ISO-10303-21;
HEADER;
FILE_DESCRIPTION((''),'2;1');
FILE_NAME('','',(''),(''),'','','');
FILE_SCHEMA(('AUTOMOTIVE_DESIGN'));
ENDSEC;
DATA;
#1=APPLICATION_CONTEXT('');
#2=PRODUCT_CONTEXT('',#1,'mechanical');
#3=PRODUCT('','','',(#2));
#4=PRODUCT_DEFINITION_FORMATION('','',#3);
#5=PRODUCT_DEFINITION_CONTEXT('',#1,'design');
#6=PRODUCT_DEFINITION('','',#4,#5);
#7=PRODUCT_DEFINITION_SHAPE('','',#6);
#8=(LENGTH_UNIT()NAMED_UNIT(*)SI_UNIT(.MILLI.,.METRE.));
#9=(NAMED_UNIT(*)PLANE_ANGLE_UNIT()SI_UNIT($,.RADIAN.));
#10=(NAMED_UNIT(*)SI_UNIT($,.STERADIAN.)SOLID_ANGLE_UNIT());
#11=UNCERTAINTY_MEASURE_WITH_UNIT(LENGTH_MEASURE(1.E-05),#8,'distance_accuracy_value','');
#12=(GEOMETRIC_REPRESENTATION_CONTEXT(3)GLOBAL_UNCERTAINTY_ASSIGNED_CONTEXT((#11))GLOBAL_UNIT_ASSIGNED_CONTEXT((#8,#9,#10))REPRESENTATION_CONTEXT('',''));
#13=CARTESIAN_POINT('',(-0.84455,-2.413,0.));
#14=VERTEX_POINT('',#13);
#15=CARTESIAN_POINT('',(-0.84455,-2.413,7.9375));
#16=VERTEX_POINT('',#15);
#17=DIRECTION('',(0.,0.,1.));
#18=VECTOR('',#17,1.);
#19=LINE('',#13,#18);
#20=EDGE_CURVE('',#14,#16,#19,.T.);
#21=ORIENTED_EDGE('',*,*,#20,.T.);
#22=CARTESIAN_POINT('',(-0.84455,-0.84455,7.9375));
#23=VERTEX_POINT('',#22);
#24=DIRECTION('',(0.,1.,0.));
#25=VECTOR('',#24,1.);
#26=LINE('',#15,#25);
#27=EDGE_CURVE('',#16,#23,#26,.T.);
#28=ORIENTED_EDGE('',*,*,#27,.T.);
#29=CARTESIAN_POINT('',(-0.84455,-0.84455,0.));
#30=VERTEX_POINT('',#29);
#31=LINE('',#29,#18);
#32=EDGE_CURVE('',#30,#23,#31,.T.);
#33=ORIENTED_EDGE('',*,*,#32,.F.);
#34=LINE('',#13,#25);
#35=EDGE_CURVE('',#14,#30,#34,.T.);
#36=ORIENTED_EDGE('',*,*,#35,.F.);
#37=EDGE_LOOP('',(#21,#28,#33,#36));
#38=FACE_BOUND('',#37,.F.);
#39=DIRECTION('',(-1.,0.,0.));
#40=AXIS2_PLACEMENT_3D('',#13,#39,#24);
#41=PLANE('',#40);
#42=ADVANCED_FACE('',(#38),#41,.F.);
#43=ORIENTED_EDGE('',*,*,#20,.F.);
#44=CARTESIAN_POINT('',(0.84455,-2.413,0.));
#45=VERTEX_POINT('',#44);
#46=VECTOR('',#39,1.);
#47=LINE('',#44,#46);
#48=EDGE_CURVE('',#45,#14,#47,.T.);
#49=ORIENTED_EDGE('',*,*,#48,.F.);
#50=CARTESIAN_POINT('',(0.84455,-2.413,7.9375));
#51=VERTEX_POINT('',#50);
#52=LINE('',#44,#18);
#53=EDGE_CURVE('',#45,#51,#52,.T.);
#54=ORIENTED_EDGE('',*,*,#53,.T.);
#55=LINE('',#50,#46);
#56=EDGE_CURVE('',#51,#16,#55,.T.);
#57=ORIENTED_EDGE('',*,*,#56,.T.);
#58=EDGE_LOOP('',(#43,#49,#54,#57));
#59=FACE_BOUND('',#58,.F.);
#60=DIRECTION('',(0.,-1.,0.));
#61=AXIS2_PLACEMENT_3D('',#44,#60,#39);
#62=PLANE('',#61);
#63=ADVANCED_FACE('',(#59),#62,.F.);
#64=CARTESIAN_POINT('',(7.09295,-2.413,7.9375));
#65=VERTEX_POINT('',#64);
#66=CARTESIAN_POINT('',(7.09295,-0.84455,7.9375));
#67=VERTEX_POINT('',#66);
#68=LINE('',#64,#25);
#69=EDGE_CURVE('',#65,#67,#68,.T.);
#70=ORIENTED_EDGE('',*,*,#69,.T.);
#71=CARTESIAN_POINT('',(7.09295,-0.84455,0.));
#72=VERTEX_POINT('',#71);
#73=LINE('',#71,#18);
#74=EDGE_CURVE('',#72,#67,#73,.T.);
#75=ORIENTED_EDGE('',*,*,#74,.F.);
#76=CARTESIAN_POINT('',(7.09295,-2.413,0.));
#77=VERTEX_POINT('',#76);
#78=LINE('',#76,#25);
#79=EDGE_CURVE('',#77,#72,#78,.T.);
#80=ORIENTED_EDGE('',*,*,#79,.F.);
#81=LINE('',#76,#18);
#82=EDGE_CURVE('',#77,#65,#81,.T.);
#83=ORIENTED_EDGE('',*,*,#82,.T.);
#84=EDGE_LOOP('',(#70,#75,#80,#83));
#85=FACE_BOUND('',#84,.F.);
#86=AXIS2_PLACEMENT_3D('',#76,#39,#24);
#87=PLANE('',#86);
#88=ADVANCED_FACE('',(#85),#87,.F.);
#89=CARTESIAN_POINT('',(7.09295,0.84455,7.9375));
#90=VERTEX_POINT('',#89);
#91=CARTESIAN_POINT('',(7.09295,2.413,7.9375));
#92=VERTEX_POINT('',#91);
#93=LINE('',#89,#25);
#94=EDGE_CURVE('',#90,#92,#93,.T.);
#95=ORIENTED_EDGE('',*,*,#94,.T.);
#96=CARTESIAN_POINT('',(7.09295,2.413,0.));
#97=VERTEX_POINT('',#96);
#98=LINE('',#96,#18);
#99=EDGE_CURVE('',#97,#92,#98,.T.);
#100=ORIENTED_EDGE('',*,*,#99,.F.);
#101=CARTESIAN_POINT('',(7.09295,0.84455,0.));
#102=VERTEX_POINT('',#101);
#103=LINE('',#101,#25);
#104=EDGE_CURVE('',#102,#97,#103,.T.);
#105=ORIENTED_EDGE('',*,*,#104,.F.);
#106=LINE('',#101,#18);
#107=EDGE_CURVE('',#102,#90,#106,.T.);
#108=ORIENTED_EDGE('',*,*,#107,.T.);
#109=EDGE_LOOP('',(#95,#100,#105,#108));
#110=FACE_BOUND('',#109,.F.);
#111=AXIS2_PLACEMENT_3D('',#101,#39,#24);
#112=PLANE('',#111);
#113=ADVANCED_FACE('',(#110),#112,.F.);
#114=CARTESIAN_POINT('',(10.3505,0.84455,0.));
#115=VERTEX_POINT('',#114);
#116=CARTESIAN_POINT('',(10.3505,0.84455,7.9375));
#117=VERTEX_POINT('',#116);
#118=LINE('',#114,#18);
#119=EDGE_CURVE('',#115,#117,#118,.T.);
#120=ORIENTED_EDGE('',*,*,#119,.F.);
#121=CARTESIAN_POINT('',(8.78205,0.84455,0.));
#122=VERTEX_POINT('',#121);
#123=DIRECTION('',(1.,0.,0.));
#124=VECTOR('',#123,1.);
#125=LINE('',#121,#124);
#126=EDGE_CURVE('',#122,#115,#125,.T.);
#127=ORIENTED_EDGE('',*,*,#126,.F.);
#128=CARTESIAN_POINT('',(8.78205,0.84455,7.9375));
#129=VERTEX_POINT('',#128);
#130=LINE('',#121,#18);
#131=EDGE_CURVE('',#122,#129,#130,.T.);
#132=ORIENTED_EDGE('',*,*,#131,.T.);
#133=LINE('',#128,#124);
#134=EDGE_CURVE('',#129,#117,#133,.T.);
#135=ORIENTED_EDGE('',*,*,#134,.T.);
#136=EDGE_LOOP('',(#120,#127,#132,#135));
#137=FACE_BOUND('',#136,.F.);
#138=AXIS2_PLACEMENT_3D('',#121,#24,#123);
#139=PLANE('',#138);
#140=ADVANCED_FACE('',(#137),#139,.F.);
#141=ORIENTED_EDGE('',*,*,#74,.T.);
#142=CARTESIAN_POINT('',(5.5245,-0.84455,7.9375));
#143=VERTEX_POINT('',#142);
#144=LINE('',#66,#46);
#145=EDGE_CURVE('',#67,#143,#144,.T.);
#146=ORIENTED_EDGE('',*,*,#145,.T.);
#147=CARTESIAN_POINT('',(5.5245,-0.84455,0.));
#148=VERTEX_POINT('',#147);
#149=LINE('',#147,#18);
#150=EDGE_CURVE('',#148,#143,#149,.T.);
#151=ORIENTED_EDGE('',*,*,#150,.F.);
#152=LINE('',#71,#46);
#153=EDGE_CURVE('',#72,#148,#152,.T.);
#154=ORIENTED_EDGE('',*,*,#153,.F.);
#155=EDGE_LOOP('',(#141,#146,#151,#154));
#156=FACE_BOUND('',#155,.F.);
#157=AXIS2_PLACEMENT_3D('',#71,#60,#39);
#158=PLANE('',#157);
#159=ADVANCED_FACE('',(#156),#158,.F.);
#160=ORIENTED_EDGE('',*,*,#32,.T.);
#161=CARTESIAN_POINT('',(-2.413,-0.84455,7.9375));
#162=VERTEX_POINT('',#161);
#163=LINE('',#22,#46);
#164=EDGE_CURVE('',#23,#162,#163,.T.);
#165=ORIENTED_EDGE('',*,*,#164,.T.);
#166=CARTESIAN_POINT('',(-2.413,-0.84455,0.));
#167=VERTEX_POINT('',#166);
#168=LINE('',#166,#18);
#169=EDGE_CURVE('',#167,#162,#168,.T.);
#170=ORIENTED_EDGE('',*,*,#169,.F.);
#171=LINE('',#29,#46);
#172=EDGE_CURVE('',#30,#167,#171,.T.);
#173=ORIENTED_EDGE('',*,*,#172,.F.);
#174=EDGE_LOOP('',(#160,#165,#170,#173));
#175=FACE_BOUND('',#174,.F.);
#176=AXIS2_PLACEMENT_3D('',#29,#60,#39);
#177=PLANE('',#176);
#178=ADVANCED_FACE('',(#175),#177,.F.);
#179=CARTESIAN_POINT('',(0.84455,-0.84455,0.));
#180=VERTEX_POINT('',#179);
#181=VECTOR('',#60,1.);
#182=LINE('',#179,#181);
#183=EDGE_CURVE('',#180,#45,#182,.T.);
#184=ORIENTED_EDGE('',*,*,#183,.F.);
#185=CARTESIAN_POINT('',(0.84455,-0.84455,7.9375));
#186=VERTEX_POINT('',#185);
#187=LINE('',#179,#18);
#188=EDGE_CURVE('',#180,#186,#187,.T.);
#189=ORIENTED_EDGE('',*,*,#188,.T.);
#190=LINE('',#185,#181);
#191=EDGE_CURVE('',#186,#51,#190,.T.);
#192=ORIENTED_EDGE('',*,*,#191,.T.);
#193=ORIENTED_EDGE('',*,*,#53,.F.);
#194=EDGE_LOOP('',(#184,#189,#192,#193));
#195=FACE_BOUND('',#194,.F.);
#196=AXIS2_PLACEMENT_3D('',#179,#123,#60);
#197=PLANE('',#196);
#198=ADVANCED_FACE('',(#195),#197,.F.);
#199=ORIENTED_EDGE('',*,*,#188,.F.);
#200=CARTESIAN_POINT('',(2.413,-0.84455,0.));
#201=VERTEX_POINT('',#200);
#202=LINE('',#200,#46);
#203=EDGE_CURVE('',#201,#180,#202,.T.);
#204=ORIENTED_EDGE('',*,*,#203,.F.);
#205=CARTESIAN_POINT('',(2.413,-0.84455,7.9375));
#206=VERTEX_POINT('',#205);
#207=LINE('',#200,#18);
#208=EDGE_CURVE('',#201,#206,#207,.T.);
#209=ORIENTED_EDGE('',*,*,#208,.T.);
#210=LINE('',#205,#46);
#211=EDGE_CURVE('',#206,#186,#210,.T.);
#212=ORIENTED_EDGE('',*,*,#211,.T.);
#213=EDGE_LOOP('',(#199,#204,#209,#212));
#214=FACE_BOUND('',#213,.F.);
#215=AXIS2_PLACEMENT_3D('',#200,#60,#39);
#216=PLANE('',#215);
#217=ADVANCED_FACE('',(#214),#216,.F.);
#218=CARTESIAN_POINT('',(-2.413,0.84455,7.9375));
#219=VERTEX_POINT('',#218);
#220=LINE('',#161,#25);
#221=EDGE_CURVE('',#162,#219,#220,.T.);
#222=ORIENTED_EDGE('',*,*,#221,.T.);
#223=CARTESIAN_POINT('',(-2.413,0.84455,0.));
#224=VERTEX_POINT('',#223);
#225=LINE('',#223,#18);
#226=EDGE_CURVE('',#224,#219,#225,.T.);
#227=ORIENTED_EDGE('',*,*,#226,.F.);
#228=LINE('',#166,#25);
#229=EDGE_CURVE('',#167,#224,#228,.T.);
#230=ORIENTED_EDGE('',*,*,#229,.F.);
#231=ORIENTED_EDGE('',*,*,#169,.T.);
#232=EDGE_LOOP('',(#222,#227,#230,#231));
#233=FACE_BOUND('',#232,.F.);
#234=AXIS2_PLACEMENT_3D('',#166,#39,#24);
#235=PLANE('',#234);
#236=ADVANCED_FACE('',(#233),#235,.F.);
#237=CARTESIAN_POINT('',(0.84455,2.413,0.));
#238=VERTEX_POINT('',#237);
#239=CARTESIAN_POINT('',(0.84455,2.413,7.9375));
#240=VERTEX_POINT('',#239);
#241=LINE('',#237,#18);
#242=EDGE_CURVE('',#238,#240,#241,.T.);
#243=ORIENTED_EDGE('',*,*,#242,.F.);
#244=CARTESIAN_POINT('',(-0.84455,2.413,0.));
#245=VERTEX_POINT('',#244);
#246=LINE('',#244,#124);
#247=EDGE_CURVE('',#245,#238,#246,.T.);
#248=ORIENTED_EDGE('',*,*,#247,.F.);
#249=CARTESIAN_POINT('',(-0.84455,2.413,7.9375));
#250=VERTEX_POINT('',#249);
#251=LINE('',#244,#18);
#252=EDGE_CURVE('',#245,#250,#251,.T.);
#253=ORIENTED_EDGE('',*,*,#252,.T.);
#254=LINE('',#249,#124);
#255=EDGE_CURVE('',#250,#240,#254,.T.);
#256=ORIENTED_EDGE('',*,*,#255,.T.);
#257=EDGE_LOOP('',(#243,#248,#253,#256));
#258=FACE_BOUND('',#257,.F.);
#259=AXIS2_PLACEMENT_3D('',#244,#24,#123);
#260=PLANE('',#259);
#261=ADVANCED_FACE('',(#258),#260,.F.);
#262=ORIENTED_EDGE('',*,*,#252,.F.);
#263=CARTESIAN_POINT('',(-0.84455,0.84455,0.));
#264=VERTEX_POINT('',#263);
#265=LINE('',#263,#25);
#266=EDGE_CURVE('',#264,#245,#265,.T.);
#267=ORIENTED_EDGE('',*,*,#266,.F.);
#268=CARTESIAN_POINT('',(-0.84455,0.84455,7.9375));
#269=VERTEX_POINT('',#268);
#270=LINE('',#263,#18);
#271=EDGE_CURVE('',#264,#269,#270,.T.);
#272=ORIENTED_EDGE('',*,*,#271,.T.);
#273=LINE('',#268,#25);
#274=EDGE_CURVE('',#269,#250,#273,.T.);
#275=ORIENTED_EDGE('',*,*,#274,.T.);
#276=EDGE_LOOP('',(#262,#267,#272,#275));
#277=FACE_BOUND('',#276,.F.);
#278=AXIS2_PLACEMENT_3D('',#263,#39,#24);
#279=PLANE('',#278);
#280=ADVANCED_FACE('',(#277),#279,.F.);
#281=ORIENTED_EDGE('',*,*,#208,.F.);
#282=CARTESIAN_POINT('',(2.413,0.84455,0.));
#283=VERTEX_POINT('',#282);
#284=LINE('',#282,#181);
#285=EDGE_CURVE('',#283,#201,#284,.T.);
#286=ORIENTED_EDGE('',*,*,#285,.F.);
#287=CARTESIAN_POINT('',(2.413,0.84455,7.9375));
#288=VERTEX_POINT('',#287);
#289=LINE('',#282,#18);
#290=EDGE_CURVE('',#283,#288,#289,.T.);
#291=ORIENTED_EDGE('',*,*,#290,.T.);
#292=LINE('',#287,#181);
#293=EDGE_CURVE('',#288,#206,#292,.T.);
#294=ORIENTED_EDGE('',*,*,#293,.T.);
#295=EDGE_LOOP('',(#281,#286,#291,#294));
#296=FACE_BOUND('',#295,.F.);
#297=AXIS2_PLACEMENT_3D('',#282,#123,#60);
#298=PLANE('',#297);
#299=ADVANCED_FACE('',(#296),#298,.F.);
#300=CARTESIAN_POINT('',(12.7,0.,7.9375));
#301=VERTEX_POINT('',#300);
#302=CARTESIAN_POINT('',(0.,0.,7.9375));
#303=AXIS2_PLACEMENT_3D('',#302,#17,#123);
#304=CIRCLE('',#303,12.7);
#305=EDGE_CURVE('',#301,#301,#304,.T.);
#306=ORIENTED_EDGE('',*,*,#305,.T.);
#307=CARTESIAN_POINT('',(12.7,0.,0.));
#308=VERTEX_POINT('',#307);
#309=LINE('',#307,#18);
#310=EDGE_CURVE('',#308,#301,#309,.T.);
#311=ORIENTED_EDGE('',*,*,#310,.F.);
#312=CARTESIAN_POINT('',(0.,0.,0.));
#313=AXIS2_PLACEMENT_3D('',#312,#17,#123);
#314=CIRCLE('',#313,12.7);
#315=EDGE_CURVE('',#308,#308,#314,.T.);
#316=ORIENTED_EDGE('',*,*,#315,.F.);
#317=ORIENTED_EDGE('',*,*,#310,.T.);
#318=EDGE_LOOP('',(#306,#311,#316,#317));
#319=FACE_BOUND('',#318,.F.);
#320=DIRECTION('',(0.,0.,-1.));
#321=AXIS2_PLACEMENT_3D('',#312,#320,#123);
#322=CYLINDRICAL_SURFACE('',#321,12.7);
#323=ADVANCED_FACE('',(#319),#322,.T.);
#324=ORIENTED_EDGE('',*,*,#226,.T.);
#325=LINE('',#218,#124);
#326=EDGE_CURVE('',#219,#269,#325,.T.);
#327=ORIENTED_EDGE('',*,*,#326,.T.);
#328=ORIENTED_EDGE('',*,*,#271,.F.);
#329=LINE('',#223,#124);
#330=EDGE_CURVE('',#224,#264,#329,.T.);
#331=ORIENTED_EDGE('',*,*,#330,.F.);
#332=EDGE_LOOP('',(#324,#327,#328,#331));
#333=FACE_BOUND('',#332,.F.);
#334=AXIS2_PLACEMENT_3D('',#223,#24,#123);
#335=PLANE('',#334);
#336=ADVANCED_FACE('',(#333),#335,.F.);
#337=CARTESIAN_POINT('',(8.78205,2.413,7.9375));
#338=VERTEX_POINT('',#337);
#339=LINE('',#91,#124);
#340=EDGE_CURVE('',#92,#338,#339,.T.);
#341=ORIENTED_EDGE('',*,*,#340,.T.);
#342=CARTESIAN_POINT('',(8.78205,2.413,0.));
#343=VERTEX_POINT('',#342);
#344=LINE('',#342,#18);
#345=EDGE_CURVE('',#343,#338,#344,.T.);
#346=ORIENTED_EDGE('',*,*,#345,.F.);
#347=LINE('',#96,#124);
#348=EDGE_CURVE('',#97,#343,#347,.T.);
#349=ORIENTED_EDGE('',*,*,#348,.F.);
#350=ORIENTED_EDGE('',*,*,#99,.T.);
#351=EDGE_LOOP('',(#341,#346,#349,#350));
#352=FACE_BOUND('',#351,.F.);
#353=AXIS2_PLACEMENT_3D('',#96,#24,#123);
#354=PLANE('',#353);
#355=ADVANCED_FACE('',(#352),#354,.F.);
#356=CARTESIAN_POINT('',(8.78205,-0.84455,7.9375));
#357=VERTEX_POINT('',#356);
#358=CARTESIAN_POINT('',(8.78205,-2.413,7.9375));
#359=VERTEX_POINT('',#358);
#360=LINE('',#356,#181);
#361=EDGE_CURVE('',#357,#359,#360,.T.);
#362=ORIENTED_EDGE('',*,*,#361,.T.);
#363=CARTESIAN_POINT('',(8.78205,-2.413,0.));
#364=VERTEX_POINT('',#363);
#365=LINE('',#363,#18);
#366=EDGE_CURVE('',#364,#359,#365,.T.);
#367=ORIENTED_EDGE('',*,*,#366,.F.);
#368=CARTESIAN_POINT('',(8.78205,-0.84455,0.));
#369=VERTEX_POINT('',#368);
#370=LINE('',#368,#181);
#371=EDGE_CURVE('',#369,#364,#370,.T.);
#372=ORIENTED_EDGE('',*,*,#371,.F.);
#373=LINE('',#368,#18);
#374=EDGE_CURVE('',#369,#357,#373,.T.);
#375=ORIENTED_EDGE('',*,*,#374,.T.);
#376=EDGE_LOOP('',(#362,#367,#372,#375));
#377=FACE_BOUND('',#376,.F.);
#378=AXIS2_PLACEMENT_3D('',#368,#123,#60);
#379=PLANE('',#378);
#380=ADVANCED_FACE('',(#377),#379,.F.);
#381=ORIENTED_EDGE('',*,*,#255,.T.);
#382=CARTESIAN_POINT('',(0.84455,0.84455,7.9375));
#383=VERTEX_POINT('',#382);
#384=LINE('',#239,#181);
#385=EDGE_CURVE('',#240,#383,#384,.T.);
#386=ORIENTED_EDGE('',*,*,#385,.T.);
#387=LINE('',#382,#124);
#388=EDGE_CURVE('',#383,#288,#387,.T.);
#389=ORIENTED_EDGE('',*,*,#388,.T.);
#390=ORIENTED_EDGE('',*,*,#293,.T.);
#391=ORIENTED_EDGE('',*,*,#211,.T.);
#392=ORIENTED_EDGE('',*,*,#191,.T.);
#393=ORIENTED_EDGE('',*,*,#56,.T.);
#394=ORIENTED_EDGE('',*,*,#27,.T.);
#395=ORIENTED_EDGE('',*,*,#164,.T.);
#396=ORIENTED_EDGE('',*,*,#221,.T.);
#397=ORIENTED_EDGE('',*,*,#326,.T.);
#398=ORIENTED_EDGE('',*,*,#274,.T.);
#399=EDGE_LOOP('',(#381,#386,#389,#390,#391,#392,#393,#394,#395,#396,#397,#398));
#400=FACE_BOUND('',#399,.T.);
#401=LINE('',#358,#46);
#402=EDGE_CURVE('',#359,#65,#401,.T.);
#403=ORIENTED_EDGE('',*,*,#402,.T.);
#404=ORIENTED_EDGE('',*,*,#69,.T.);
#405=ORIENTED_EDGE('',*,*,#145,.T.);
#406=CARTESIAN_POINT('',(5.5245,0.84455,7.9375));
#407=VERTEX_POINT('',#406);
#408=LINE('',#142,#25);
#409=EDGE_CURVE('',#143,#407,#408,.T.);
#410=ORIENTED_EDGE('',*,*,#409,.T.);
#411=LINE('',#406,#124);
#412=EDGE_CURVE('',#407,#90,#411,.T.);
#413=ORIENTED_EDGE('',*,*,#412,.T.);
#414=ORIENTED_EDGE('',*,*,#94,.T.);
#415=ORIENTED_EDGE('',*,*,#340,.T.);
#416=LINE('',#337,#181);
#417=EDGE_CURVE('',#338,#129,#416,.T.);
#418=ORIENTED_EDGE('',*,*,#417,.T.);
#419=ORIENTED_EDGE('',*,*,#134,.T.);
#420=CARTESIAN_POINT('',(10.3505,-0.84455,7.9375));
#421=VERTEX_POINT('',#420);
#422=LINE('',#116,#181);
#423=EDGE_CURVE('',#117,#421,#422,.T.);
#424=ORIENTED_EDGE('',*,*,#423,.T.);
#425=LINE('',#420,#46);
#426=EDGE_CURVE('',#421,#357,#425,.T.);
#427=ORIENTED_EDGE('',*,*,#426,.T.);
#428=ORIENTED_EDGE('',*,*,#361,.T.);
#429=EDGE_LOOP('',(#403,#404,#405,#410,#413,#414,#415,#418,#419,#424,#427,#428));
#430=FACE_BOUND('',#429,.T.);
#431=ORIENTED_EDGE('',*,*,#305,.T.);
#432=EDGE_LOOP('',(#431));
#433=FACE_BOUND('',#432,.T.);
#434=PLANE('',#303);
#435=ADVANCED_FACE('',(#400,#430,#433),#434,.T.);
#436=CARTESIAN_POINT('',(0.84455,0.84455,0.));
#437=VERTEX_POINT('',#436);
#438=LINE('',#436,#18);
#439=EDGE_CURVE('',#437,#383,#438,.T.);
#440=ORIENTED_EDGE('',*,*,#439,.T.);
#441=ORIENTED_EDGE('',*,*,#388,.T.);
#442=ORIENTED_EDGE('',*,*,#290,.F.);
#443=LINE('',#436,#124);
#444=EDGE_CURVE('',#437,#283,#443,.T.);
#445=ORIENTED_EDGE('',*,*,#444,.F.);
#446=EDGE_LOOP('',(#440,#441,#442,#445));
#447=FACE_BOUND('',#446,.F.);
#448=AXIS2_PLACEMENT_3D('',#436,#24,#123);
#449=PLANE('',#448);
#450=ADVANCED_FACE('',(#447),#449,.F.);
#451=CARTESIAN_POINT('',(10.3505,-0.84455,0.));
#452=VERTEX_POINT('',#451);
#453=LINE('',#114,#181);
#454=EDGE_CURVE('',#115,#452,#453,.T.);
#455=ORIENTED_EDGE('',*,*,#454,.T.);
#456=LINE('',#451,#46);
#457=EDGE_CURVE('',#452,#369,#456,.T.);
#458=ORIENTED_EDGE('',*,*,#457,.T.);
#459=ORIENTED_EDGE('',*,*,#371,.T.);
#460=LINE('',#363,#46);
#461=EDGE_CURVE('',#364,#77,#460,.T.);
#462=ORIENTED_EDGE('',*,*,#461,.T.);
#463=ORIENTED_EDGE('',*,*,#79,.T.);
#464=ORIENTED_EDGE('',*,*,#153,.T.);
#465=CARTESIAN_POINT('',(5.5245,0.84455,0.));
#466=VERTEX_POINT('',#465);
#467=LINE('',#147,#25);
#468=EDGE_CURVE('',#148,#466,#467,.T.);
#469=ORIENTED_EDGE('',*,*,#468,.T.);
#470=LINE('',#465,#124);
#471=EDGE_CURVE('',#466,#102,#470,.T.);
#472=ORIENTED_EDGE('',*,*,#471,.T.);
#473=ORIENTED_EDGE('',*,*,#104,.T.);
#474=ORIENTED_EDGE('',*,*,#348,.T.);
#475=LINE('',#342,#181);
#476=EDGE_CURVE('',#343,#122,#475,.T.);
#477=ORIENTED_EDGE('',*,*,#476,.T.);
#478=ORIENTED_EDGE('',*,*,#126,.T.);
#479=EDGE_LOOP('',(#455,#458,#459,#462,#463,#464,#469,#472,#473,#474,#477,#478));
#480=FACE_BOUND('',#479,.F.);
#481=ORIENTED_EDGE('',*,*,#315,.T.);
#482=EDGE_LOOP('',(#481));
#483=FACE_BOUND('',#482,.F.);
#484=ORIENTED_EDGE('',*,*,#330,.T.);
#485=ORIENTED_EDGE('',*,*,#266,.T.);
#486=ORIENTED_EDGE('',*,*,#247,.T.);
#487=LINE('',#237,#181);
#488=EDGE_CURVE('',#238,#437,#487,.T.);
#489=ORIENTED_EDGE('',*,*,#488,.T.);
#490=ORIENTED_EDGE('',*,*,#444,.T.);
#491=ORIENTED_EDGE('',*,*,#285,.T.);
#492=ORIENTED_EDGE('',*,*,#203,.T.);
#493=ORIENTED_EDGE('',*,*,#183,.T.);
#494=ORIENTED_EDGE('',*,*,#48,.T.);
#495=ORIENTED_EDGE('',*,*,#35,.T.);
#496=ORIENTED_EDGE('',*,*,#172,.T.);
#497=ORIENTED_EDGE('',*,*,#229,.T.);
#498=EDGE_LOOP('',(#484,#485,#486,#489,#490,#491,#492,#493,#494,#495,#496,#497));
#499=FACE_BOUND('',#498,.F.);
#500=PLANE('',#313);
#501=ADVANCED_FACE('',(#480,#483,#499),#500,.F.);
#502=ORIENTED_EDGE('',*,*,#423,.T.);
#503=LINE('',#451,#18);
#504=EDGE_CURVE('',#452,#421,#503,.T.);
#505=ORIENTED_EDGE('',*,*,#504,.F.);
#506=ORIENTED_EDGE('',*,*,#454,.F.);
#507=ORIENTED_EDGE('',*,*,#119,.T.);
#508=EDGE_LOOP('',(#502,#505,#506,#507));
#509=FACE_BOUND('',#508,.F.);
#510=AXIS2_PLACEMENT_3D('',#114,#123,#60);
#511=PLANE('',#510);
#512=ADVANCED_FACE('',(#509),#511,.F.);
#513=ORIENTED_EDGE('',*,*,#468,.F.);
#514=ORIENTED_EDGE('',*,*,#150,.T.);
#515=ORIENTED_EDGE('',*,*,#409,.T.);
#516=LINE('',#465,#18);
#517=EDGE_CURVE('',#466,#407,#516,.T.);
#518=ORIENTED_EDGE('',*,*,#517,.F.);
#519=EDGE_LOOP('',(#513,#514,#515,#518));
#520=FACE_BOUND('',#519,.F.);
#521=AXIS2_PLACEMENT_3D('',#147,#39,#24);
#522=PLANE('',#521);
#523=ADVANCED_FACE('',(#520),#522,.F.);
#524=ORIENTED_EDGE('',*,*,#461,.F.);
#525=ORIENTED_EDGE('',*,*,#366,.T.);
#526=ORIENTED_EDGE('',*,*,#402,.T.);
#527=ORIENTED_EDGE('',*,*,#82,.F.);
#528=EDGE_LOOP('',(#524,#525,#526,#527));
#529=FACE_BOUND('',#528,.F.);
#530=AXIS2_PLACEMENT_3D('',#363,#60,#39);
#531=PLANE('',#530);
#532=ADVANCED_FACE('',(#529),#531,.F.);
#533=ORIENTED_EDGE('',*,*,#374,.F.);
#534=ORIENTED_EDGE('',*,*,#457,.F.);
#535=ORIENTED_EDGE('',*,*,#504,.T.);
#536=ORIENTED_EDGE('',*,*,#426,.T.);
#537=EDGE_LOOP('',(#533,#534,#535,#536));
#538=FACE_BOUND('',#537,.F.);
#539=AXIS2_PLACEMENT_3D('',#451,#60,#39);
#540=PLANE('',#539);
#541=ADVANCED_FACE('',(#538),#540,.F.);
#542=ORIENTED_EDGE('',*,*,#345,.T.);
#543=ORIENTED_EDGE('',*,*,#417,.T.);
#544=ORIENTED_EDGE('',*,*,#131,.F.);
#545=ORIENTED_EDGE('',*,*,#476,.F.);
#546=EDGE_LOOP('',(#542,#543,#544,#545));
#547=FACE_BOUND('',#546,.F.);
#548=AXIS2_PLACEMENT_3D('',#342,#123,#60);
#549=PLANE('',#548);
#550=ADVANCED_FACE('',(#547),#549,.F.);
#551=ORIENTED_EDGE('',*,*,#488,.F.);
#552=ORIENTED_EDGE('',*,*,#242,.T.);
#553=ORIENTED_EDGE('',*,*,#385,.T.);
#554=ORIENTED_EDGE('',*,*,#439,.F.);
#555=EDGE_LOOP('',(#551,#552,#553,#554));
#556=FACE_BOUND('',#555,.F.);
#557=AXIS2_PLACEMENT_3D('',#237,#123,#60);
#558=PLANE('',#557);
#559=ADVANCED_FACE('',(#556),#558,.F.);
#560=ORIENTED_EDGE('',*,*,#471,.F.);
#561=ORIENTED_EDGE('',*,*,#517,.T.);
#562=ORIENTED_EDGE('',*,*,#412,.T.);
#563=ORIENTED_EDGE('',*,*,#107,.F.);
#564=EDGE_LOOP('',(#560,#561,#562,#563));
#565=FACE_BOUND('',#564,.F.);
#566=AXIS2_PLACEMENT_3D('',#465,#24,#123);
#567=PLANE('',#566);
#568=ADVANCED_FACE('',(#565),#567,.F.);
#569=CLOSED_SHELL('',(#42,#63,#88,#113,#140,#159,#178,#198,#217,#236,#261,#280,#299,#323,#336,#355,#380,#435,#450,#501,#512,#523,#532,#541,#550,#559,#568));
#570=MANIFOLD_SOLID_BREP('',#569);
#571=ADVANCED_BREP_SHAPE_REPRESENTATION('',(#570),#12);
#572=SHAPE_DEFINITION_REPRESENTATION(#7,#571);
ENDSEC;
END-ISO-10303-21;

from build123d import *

# Parameters (mm, degrees)
F0_R     = 12.7
F1_DEPTH = 7.9375


with BuildPart() as f1:
    # F0 (on Top) → F1 (new body)
    with BuildSketch(Plane.XY):
        Circle(F0_R)
        Polygon((0.84455, -0.84455), (0.84455, -2.413), (-0.84455, -2.413), (-0.84455, -0.84455), (-2.413, -0.84455), (-2.413, 0.84455), (-0.84455, 0.84455), (-0.84455, 2.413), (0.84455, 2.413), (0.84455, 0.84455), (2.413, 0.84455), (2.413, -0.84455), align=None, mode=Mode.SUBTRACT)
        Polygon((8.78205, -0.84455), (8.78205, -2.413), (7.09295, -2.413), (7.09295, -0.84455), (5.5245, -0.84455), (5.5245, 0.84455), (7.09295, 0.84455), (7.09295, 2.413), (8.78205, 2.413), (8.78205, 0.84455), (10.3505, 0.84455), (10.3505, -0.84455), align=None, mode=Mode.SUBTRACT)
    extrude(amount=F1_DEPTH)


solid = f1.part
